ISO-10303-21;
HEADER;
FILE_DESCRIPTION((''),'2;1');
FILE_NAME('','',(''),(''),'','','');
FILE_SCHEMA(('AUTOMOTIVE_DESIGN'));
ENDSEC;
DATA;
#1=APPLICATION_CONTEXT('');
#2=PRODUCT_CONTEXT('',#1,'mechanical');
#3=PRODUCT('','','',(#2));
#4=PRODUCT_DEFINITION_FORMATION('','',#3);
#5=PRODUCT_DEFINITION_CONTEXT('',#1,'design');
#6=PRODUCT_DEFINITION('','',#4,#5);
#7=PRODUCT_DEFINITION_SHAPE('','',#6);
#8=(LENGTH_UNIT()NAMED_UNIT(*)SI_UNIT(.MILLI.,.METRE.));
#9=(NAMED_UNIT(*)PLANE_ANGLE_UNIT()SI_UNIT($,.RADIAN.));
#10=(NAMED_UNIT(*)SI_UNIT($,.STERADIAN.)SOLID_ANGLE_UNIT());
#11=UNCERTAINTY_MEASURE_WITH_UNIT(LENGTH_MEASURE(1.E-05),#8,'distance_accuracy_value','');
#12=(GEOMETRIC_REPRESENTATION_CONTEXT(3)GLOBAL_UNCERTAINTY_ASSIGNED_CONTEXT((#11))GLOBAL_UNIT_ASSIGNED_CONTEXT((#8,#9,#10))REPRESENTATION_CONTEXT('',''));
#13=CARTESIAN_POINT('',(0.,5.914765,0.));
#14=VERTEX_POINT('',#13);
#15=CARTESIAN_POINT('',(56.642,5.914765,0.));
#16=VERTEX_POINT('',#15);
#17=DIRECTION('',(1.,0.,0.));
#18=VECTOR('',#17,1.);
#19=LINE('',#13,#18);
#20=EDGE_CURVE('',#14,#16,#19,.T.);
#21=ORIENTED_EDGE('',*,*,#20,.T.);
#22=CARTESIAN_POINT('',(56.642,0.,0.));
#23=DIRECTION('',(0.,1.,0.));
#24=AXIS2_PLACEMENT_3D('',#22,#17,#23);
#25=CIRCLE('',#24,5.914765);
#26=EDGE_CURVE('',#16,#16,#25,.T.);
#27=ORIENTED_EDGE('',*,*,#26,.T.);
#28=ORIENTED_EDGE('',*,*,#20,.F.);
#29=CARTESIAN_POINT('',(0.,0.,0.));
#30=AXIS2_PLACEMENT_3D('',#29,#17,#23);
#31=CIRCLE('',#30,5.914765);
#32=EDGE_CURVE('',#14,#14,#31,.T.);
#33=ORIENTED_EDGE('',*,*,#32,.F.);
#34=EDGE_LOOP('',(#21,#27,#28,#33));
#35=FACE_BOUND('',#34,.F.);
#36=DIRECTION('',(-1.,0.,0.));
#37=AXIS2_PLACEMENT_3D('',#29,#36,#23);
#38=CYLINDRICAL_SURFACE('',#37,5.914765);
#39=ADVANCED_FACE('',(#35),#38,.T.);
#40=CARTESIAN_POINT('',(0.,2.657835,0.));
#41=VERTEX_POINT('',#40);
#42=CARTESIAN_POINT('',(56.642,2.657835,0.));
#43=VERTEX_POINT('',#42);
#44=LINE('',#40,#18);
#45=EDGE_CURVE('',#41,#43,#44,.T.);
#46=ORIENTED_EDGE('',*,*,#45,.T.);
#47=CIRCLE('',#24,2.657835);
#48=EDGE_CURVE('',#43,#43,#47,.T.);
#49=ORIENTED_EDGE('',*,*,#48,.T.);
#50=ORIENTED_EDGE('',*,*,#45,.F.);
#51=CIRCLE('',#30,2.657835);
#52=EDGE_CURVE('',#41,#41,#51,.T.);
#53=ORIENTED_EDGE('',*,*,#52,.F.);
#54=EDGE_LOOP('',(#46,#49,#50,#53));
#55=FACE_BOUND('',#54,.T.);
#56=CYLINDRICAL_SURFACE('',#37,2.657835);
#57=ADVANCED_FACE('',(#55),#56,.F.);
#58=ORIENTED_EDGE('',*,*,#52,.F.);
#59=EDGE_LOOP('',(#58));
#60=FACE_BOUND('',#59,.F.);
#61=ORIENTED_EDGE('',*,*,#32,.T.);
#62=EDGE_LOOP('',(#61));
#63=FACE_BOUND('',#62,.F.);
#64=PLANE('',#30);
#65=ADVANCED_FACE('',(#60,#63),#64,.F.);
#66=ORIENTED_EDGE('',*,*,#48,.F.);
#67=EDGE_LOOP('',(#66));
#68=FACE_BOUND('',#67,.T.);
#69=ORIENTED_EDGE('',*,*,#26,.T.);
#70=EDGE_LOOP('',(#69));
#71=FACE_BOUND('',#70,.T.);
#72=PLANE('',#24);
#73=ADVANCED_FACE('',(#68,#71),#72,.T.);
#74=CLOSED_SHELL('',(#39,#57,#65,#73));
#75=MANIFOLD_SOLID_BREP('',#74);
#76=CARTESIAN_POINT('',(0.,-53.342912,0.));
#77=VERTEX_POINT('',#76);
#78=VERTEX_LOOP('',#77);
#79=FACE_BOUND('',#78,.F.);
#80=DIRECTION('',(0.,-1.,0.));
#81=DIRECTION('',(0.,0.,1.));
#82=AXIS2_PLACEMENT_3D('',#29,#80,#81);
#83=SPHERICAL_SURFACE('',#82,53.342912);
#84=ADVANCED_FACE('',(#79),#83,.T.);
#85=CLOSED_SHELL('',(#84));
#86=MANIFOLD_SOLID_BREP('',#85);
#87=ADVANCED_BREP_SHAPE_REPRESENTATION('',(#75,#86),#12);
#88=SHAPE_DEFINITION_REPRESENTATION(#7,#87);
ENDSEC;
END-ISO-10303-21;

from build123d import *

# Parameters (mm, degrees)
F2_R     = 5.914765
F2_R_2   = 2.657835
F3_DEPTH = 56.642


with BuildPart() as f1:
    # F0 (on Right) → F1 (revolve)
    with BuildSketch(Plane.YZ):
        with BuildLine():
            Line((-53.342912, 0), (53.342912, 0))
            ThreePointArc((53.342912, 0), (0, 53.342912), (-53.342912, 0))
        make_face()
    revolve(axis=Axis((0, 0, 0), (0, 1, 0)))


with BuildPart() as f3:
    # F2 (on Right) → F3 (new body)
    with BuildSketch(Plane.YZ):
        Circle(F2_R)
        Circle(F2_R_2, mode=Mode.SUBTRACT)
    extrude(amount=F3_DEPTH)


solid = Compound([f1.part, f3.part])
